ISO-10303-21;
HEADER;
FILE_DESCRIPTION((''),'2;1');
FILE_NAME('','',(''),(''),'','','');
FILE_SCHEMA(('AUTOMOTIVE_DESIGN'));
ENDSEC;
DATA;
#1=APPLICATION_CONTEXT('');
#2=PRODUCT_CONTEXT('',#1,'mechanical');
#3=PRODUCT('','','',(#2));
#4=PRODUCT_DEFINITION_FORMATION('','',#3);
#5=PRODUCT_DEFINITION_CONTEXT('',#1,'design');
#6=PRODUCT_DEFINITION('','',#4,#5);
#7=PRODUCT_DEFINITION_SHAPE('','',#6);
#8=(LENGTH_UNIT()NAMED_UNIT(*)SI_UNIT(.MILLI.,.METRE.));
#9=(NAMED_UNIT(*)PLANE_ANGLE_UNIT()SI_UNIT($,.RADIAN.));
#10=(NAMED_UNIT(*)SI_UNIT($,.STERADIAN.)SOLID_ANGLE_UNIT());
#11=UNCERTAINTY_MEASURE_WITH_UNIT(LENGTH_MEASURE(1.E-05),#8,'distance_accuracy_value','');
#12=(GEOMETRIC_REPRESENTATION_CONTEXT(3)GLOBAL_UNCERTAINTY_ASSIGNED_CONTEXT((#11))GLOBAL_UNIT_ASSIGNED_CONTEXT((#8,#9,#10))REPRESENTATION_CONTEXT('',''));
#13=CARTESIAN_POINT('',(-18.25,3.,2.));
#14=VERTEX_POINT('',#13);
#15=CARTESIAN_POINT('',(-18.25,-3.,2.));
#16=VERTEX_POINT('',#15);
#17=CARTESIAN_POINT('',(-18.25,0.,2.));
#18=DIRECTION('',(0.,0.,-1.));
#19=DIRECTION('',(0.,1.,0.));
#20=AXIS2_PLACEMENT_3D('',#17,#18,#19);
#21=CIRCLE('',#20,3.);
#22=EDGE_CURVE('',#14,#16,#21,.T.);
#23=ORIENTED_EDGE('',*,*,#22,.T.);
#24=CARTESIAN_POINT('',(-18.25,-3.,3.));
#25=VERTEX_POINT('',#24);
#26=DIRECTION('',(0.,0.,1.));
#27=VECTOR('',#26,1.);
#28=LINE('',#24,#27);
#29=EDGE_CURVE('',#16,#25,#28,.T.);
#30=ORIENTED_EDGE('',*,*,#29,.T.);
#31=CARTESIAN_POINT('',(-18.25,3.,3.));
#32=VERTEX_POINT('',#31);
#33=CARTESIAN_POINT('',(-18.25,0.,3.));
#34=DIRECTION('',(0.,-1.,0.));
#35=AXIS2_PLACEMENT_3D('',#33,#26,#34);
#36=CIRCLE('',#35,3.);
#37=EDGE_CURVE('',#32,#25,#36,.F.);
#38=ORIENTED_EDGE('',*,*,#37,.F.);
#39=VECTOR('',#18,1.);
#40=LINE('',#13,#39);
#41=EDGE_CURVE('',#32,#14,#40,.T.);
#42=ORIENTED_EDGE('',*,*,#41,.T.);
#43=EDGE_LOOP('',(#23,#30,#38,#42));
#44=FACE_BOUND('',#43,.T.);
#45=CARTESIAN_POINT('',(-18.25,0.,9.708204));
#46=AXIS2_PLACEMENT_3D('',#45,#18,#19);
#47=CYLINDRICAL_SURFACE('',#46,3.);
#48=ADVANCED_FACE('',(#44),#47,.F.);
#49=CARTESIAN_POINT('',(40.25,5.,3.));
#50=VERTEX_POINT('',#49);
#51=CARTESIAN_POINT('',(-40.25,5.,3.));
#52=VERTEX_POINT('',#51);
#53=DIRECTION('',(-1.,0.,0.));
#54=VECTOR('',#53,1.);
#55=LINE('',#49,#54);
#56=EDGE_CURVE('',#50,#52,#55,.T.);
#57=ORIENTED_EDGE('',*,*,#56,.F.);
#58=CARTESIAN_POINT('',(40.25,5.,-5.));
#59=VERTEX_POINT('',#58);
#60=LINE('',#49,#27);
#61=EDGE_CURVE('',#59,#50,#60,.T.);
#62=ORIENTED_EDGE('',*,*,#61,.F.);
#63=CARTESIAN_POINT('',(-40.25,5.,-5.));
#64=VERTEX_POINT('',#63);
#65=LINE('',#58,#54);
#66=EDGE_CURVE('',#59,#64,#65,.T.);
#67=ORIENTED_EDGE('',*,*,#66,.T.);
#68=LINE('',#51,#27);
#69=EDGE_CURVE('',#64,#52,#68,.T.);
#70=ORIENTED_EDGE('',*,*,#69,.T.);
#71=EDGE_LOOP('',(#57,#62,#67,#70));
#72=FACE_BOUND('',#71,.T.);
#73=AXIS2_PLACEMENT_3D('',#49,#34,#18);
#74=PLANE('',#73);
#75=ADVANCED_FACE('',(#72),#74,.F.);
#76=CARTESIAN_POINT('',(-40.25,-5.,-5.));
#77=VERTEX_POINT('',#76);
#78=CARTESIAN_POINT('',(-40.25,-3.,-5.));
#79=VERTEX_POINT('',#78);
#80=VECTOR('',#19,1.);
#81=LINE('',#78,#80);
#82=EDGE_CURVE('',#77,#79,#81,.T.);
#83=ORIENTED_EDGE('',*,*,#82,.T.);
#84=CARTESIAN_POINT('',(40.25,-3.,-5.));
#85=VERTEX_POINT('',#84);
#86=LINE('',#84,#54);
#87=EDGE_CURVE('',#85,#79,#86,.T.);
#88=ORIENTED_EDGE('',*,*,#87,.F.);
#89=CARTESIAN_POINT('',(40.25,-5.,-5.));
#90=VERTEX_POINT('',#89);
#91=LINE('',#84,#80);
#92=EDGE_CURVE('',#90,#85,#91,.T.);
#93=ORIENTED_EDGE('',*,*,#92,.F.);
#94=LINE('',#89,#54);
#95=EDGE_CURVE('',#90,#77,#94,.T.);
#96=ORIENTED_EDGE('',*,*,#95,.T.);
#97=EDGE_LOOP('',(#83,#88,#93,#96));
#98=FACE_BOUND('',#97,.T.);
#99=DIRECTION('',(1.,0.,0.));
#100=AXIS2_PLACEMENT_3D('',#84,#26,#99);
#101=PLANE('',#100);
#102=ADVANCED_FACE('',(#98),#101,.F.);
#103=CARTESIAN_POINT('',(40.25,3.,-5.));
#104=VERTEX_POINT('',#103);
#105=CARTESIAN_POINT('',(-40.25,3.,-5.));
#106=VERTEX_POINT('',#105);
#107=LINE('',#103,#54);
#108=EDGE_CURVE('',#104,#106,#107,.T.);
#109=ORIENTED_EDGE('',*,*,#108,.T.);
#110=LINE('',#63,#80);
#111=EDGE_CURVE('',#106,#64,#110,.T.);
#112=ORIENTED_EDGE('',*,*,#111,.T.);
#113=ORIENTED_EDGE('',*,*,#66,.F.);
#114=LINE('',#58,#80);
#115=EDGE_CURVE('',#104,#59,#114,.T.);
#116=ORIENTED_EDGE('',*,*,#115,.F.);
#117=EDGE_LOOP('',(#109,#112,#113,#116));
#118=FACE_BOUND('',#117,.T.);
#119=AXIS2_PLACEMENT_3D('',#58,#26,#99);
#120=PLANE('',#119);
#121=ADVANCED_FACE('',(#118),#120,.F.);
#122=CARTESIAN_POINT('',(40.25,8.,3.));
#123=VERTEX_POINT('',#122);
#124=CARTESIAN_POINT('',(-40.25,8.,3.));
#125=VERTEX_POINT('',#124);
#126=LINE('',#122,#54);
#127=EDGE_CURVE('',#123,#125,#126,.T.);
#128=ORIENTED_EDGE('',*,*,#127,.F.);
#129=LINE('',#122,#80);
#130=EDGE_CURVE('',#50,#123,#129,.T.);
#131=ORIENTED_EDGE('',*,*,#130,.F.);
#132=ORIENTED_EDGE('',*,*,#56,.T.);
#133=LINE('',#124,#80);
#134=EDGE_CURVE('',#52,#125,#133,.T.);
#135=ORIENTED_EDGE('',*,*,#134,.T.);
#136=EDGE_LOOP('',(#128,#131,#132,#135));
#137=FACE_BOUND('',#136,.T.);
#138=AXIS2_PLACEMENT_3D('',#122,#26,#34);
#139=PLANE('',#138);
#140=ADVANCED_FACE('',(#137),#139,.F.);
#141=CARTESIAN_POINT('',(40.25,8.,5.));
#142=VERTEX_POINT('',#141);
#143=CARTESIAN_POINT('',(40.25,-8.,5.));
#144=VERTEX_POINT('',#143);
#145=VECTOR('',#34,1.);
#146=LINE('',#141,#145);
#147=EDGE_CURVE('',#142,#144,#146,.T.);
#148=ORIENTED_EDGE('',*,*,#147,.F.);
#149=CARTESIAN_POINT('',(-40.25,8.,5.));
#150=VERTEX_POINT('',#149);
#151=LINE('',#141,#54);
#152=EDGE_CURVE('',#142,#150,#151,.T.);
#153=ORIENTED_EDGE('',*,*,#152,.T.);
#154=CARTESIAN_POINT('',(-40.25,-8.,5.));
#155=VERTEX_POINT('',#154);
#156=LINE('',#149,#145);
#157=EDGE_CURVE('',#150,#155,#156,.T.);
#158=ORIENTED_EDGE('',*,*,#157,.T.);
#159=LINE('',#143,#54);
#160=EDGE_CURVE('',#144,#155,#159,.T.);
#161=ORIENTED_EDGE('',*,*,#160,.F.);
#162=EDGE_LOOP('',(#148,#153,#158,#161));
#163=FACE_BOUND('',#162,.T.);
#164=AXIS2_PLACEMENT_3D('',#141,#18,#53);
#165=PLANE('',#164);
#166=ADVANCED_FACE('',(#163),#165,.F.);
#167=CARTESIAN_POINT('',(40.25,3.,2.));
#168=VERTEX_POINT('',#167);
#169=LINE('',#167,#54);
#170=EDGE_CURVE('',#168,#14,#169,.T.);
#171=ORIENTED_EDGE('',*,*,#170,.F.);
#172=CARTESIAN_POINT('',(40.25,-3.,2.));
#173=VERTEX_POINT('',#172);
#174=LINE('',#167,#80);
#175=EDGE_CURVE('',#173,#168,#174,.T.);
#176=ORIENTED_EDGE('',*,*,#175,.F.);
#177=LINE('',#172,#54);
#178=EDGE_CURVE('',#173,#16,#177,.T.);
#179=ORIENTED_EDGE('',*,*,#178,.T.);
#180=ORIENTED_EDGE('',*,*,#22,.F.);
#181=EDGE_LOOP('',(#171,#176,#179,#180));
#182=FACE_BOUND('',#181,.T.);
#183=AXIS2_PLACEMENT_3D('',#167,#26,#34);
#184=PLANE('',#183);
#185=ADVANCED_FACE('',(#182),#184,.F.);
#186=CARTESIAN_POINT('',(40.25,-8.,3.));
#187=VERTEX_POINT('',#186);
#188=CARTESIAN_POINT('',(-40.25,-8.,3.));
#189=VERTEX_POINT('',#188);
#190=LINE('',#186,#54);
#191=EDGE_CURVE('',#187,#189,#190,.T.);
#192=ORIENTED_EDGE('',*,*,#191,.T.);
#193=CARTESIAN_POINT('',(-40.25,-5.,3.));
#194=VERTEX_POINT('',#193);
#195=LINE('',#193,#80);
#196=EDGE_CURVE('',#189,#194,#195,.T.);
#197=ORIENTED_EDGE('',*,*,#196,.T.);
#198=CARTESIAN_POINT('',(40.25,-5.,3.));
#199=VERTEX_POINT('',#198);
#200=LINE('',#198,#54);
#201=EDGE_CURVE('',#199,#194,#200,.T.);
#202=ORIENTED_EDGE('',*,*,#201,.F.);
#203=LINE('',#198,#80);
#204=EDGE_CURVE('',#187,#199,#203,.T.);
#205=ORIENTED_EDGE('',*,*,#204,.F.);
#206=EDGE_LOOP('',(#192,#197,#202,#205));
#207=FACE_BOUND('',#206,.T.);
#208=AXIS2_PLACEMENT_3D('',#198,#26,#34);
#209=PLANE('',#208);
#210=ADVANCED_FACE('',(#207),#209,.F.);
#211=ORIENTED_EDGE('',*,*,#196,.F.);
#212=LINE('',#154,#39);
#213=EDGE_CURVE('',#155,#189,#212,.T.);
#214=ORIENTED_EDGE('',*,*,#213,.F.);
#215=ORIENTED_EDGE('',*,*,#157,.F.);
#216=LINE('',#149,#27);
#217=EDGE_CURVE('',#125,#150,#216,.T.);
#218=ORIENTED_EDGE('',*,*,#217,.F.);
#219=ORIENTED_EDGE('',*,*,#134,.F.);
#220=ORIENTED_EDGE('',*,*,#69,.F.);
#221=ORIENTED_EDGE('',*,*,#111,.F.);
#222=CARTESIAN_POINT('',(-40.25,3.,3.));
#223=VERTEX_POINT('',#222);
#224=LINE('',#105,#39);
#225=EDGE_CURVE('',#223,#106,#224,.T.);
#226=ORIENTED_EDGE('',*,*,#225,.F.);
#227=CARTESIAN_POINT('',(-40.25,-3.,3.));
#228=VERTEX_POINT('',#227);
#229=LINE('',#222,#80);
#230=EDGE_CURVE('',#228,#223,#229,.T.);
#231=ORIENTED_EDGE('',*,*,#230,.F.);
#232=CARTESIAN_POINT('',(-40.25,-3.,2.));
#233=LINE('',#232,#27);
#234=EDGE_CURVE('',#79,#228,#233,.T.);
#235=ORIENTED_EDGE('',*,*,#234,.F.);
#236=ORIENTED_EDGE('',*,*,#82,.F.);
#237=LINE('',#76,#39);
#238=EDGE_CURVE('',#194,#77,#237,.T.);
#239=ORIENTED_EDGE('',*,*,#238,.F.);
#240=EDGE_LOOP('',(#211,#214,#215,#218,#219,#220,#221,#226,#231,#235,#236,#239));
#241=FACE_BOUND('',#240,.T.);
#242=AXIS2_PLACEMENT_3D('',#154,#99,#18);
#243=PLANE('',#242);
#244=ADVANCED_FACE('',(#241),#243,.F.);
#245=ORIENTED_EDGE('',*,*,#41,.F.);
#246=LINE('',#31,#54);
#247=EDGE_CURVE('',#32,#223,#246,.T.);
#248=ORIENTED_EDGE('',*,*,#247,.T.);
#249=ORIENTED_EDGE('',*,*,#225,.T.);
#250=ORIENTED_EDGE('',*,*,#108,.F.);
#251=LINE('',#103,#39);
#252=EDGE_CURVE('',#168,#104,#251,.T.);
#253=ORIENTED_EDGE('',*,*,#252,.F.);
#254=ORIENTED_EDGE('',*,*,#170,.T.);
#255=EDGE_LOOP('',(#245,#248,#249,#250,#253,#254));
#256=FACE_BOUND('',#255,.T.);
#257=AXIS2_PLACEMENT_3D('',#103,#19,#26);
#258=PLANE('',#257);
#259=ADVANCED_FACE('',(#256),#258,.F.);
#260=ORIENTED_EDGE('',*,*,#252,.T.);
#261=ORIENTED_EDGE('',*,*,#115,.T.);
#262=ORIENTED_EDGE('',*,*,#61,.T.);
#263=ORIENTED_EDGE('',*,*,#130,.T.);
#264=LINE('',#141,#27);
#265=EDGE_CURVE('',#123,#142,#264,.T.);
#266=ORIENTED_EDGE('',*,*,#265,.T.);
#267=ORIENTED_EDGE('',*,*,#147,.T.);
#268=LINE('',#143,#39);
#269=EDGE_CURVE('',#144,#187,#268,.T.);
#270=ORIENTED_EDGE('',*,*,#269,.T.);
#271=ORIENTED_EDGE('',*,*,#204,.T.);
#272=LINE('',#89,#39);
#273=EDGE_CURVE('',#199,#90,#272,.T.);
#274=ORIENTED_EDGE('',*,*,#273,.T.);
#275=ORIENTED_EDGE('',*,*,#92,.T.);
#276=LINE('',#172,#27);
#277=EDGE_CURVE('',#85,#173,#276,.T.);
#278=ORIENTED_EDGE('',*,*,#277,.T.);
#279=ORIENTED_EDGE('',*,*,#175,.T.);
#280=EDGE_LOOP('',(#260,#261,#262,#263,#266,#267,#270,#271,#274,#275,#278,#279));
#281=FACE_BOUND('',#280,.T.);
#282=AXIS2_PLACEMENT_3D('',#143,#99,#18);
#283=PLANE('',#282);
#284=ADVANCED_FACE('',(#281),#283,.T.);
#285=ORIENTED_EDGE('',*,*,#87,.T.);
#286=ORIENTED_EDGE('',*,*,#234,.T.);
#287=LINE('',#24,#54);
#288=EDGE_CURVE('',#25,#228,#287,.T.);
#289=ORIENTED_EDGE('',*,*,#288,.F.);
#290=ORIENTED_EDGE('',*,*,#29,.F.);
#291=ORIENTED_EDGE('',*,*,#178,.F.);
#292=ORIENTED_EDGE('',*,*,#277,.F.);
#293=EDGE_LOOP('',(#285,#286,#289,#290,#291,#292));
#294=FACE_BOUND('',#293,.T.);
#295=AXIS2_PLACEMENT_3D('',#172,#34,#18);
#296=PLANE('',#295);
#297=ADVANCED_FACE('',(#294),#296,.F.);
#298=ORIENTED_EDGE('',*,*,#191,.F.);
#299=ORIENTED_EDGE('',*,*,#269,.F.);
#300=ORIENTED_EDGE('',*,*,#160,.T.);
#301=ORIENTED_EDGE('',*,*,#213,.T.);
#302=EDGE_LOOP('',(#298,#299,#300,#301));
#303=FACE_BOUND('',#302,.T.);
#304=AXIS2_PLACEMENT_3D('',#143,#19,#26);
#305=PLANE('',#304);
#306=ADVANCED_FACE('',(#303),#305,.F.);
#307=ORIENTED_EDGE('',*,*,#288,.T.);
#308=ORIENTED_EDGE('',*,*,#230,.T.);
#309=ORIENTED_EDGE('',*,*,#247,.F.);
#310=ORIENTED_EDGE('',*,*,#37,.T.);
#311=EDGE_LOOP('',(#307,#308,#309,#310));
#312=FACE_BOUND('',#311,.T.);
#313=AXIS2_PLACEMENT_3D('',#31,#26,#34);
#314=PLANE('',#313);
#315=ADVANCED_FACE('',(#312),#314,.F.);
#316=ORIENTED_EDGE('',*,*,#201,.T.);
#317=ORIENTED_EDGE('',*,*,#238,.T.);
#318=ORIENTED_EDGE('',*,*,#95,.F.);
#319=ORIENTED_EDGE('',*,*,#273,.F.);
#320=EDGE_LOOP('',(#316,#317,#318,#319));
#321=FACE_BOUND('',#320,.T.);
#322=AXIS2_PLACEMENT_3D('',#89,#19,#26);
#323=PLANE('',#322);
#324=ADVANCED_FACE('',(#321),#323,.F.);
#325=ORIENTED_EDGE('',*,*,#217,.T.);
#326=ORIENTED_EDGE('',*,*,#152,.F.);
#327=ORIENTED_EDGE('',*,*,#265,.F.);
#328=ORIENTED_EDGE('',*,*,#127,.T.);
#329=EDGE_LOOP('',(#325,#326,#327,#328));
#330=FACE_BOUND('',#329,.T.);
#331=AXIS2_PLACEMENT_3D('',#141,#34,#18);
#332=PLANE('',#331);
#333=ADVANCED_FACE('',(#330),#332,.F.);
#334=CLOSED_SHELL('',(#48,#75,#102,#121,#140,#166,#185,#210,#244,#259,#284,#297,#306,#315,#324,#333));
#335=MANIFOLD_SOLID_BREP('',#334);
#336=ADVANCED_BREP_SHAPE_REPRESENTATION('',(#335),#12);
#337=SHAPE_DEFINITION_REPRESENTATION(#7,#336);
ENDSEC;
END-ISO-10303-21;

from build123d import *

# Parameters (mm, degrees)
EXTRUDE1_DEPTH = 40.25
SKETCH2_W      = 1
SKETCH2_H      = 6
EXTRUDE2_DEPTH = 22
EXTRUDE3_DEPTH = 1


with BuildPart() as part:
    # Sketch1 → Extrude1 (new body, symmetric)
    with BuildSketch(Plane(origin=(0, 0, 0), x_dir=(0, 0, -1), z_dir=(1, 0, 0))):
        Polygon((-3, 8), (-3, 5), (5, 5), (5, 3), (-2, 3), (-2, -3), (5, -3), (5, -5), (-3, -5), (-3, -8), (-5, -8), (-5, 8), align=None)
    extrude(amount=EXTRUDE1_DEPTH, both=True)

    # Sketch2 → Extrude2 (cut)
    with BuildSketch(Plane.ZY.offset(40.25)):
        with Locations((2.5, 0)):
            Rectangle(SKETCH2_W, SKETCH2_H)
    extrude(amount=-EXTRUDE2_DEPTH, mode=Mode.SUBTRACT)

    # Sketch3 → Extrude3 (cut)
    with BuildSketch(Plane(origin=(0, 0, 2), x_dir=(-1, 0, 0), z_dir=(0, 0, -1))):
        with BuildLine():
            Line((18.25, 3), (18.25, -3))
            ThreePointArc((18.25, -3), (15.25, 0), (18.25, 3))
        make_face()
    extrude(amount=-EXTRUDE3_DEPTH, mode=Mode.SUBTRACT)


solid = part.part
